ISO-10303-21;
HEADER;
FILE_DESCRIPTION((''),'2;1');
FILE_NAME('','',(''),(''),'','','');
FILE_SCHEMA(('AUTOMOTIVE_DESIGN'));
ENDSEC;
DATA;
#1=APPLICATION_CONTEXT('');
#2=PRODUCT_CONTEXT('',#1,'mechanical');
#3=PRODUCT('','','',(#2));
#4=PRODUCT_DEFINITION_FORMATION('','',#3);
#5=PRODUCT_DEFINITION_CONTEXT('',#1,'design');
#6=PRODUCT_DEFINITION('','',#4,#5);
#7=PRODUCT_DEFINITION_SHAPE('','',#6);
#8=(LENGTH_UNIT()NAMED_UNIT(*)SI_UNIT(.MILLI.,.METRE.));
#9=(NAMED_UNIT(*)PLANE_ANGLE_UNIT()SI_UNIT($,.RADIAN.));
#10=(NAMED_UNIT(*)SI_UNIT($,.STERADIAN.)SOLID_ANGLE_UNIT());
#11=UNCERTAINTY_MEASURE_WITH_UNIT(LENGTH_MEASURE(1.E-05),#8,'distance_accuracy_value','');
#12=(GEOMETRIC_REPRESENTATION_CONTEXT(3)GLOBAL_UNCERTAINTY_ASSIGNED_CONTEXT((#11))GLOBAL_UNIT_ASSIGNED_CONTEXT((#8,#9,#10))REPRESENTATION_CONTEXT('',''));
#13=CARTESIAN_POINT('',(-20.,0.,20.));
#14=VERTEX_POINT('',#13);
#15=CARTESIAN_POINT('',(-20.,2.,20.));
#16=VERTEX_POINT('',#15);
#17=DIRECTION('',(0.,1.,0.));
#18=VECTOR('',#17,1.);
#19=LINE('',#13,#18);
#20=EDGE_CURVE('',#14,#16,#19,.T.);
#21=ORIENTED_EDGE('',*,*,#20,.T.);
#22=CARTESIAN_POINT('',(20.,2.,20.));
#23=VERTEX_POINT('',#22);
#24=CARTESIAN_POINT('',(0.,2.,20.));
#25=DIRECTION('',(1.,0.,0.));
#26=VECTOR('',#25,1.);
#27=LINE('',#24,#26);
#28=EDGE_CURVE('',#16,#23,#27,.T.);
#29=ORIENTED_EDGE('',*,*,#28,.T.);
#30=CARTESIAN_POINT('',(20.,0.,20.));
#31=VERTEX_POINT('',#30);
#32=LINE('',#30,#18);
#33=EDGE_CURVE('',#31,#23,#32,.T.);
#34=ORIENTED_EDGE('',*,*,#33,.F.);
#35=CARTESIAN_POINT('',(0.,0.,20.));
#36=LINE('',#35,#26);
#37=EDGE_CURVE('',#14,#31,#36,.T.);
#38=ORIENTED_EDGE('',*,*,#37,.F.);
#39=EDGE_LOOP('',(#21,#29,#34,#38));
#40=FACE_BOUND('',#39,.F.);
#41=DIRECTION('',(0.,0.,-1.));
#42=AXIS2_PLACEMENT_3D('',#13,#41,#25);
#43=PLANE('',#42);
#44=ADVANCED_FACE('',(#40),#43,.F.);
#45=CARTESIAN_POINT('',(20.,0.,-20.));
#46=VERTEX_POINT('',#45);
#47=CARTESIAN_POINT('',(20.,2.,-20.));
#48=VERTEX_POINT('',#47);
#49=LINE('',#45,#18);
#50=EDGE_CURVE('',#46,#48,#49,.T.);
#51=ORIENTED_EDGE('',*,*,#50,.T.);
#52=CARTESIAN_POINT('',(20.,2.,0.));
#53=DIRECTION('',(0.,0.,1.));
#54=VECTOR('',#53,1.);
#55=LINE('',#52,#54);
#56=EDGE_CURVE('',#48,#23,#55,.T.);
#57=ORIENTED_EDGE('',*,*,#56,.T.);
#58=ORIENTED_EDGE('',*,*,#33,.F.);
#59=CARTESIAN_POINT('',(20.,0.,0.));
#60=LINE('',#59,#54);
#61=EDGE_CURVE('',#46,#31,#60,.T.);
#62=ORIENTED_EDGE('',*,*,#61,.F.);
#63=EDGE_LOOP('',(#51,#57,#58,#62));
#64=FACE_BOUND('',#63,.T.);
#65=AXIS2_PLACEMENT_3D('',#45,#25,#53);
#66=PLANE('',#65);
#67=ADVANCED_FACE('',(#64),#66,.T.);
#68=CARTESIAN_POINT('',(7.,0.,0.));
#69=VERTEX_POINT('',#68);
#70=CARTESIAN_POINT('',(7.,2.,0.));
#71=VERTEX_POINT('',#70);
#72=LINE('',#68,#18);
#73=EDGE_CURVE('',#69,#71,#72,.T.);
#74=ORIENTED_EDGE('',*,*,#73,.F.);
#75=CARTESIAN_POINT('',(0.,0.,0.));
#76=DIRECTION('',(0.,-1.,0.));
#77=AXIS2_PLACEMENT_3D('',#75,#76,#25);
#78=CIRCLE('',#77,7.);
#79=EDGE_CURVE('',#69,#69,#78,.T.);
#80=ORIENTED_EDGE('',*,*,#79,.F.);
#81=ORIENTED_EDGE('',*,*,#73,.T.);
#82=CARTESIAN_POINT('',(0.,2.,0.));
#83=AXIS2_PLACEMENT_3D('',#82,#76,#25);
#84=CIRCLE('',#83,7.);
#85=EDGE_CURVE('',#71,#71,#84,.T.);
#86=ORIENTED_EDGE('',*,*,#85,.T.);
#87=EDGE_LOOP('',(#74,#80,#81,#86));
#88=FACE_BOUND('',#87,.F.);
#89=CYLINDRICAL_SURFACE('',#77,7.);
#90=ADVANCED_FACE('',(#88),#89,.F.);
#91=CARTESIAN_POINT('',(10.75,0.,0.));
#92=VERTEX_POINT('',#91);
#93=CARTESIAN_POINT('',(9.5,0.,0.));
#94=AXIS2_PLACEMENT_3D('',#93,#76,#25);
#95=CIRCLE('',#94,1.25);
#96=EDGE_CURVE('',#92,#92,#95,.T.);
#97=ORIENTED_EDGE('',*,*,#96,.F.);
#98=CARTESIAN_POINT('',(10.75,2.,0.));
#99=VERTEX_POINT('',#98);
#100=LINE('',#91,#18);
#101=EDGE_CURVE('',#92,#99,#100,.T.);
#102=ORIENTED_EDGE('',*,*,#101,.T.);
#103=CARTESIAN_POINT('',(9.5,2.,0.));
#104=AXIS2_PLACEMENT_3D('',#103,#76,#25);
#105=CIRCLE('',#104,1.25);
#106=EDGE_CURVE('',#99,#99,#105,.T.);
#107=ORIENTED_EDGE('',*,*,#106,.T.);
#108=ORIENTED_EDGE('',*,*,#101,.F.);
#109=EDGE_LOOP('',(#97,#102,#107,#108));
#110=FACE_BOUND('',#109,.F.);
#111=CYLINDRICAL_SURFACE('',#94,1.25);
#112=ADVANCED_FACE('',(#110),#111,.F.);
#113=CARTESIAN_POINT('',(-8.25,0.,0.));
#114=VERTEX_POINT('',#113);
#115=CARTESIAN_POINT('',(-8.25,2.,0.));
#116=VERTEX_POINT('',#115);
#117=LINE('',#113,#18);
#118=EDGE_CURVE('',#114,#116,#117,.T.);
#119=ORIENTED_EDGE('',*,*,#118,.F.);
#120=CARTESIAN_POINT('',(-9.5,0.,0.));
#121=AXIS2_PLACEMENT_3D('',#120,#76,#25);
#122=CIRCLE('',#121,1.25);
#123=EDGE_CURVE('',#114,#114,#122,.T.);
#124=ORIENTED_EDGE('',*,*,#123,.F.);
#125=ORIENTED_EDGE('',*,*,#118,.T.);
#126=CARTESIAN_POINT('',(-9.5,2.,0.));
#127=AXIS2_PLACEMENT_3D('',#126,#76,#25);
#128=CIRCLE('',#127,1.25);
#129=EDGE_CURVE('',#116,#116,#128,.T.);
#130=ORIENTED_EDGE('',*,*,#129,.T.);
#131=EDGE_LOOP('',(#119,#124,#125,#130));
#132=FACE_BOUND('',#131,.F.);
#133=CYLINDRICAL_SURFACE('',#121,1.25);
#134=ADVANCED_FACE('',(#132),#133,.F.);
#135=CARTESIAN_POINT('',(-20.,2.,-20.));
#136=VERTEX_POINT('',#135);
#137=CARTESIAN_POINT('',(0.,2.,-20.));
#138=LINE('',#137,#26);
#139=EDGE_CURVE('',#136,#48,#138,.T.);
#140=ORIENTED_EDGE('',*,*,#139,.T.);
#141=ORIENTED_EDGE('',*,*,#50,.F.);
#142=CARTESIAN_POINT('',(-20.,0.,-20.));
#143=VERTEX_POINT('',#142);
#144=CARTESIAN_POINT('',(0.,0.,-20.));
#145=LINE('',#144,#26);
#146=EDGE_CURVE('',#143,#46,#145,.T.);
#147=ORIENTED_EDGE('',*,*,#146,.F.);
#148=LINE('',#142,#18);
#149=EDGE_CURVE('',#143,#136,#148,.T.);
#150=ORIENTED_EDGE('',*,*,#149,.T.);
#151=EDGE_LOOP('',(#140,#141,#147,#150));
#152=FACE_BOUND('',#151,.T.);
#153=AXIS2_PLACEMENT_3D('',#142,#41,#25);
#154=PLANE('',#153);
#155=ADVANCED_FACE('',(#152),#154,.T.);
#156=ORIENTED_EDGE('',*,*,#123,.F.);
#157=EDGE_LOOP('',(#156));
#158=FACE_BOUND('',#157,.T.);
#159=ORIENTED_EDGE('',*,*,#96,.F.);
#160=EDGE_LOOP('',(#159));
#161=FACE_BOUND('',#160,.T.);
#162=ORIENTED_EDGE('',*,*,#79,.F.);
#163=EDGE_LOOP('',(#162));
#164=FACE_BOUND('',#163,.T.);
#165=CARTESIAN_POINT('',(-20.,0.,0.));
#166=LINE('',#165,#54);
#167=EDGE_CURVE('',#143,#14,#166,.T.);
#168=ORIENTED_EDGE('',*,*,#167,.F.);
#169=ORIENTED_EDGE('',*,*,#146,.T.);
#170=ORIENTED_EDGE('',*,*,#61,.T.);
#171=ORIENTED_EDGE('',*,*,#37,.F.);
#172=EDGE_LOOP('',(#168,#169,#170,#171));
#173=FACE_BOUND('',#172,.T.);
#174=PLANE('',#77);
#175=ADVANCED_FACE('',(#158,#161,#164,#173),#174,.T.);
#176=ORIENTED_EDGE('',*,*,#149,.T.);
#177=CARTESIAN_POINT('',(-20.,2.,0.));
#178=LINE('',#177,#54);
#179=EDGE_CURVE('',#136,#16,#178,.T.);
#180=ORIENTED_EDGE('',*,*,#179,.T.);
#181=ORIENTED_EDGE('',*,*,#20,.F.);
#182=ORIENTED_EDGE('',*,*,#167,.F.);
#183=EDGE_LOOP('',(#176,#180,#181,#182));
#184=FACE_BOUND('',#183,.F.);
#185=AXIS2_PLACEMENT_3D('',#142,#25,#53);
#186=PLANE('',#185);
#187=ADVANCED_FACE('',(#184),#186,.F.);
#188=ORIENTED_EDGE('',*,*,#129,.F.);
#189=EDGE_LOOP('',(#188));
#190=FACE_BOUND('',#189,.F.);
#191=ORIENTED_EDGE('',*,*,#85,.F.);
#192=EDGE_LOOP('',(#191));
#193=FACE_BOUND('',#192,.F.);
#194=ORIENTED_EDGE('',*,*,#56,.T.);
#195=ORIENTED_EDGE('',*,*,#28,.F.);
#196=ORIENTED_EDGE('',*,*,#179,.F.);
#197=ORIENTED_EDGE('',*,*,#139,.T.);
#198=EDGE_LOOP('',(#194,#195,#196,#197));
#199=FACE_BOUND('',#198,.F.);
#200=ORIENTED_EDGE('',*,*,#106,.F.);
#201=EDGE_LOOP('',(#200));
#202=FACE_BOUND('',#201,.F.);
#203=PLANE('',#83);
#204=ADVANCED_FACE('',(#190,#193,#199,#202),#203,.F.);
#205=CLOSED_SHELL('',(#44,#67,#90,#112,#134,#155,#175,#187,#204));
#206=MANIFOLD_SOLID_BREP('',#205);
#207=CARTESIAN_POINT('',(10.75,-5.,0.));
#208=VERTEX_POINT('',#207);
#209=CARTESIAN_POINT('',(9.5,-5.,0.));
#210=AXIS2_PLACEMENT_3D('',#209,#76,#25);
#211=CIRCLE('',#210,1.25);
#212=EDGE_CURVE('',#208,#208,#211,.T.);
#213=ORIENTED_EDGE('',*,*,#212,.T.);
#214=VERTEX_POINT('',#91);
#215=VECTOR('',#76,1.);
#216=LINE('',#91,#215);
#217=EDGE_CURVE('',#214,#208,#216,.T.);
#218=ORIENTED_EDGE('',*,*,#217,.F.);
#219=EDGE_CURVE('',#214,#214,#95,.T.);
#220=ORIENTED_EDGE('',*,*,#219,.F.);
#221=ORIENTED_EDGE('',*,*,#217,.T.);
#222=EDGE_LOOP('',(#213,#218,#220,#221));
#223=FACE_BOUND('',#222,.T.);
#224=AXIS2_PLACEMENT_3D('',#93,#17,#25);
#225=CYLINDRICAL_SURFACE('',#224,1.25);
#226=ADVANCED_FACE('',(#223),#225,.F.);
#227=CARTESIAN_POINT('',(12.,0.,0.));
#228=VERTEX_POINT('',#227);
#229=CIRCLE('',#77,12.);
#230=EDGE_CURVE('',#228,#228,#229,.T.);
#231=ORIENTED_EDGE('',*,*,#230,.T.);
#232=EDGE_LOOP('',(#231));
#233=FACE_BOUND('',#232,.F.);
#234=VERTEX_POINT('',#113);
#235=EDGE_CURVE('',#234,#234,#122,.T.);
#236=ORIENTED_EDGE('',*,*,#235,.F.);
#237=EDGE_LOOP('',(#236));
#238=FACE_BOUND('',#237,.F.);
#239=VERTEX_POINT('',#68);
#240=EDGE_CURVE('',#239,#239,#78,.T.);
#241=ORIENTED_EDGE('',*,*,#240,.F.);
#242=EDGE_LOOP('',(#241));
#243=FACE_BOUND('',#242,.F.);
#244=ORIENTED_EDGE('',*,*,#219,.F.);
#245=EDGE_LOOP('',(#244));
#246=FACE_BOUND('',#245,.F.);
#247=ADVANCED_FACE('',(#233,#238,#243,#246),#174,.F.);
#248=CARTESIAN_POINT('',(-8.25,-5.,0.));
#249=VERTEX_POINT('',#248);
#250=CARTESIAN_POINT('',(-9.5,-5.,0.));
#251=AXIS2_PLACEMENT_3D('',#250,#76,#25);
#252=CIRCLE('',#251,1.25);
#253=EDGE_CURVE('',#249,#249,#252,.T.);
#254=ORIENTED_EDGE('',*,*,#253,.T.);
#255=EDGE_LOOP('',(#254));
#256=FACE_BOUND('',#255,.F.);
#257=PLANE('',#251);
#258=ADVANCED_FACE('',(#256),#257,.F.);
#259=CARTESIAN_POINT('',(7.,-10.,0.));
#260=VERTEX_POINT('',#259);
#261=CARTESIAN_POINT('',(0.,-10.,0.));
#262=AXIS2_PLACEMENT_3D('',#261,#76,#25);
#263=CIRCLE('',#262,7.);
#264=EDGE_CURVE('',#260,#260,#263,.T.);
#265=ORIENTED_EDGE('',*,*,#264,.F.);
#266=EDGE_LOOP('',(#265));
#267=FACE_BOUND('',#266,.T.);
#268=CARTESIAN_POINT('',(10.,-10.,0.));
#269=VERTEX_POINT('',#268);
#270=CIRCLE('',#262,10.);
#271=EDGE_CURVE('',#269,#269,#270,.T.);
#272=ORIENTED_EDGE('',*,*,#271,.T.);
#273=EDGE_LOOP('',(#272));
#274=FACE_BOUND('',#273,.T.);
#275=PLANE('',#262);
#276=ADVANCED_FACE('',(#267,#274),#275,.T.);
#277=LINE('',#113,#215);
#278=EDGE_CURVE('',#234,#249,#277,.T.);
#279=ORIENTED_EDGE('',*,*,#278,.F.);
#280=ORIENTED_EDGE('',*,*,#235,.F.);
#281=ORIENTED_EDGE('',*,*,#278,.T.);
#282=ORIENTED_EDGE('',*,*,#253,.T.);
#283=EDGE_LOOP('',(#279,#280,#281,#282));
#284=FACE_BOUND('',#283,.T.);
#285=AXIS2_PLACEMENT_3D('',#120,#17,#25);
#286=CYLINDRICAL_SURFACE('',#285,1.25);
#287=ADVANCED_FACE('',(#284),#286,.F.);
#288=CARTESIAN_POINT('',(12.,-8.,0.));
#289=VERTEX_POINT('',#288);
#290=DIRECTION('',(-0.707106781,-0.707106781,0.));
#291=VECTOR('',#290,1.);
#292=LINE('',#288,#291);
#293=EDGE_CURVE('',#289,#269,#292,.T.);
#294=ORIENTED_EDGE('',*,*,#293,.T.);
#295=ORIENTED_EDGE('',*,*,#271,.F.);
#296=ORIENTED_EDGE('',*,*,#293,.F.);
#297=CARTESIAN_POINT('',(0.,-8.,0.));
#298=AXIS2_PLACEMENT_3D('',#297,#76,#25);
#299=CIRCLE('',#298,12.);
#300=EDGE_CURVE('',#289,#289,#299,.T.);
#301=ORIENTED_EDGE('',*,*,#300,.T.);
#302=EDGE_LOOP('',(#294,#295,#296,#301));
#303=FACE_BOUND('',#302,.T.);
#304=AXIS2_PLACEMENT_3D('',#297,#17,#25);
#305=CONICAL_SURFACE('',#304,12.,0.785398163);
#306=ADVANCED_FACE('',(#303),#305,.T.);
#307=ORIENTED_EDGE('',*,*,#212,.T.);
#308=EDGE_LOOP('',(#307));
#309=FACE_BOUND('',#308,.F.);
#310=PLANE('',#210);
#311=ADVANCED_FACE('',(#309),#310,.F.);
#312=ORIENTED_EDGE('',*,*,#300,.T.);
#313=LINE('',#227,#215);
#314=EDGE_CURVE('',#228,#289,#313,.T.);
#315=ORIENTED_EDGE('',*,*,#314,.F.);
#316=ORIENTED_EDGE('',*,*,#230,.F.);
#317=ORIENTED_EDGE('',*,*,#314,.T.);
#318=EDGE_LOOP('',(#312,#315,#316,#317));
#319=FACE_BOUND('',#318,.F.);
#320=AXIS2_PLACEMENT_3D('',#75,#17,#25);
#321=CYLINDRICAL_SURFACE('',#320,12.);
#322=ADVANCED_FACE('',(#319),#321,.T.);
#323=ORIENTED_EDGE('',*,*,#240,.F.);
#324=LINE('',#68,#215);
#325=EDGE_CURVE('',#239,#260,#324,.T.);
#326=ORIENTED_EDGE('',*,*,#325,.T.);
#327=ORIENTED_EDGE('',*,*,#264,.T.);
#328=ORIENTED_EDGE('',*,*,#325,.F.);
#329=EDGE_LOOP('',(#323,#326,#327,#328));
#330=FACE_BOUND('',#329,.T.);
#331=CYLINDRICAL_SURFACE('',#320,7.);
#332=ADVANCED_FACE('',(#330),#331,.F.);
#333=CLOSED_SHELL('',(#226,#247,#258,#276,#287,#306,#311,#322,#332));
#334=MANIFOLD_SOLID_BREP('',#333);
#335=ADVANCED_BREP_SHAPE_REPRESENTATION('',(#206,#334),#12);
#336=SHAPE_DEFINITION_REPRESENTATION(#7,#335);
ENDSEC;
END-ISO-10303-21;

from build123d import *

# Parameters (mm, degrees)
F0_W     = 40
F0_H     = 40
F0_R     = 12
F0_R_2   = 1.25
F0_R_3   = 7
F1_DEPTH = 2
F2_DEPTH = 10
F3_SIZE  = 2
F4_DEPTH = 5


with BuildPart() as f1:
    # F0 (on Front) → F1 (new body)
    with BuildSketch(Plane.XZ):
        Rectangle(F0_W, F0_H)
        Circle(F0_R, mode=Mode.SUBTRACT)
        Circle(F0_R)
        with Locations((-9.5, 0)):
            Circle(F0_R_2, mode=Mode.SUBTRACT)
        Circle(F0_R_3, mode=Mode.SUBTRACT)
        with Locations((9.5, 0)):
            Circle(F0_R_2, mode=Mode.SUBTRACT)
    extrude(amount=-F1_DEPTH)


with BuildPart() as f2:
    # F0 (on Front) → F2 (new body)
    with BuildSketch(Plane.XZ):
        Circle(F0_R)
        with Locations((-9.5, 0)):
            Circle(F0_R_2, mode=Mode.SUBTRACT)
        Circle(F0_R_3, mode=Mode.SUBTRACT)
        with Locations((9.5, 0)):
            Circle(F0_R_2, mode=Mode.SUBTRACT)
        with Locations((-9.5, 0)):
            Circle(F0_R_2)
        with Locations((9.5, 0)):
            Circle(F0_R_2)
    extrude(amount=F2_DEPTH)

    # F3
    f3_edges = [f2.edges().sort_by_distance(p)[0] for p in [
        (-12, -10, 0),
    ]]
    chamfer(f3_edges, length=F3_SIZE)

    # F0 (on Front) → F4 (cut)
    with BuildSketch(Plane.XZ):
        with Locations((-9.5, 0)):
            Circle(F0_R_2)
        with Locations((9.5, 0)):
            Circle(F0_R_2)
    extrude(amount=F4_DEPTH, mode=Mode.SUBTRACT)


solid = Compound([f1.part, f2.part])
